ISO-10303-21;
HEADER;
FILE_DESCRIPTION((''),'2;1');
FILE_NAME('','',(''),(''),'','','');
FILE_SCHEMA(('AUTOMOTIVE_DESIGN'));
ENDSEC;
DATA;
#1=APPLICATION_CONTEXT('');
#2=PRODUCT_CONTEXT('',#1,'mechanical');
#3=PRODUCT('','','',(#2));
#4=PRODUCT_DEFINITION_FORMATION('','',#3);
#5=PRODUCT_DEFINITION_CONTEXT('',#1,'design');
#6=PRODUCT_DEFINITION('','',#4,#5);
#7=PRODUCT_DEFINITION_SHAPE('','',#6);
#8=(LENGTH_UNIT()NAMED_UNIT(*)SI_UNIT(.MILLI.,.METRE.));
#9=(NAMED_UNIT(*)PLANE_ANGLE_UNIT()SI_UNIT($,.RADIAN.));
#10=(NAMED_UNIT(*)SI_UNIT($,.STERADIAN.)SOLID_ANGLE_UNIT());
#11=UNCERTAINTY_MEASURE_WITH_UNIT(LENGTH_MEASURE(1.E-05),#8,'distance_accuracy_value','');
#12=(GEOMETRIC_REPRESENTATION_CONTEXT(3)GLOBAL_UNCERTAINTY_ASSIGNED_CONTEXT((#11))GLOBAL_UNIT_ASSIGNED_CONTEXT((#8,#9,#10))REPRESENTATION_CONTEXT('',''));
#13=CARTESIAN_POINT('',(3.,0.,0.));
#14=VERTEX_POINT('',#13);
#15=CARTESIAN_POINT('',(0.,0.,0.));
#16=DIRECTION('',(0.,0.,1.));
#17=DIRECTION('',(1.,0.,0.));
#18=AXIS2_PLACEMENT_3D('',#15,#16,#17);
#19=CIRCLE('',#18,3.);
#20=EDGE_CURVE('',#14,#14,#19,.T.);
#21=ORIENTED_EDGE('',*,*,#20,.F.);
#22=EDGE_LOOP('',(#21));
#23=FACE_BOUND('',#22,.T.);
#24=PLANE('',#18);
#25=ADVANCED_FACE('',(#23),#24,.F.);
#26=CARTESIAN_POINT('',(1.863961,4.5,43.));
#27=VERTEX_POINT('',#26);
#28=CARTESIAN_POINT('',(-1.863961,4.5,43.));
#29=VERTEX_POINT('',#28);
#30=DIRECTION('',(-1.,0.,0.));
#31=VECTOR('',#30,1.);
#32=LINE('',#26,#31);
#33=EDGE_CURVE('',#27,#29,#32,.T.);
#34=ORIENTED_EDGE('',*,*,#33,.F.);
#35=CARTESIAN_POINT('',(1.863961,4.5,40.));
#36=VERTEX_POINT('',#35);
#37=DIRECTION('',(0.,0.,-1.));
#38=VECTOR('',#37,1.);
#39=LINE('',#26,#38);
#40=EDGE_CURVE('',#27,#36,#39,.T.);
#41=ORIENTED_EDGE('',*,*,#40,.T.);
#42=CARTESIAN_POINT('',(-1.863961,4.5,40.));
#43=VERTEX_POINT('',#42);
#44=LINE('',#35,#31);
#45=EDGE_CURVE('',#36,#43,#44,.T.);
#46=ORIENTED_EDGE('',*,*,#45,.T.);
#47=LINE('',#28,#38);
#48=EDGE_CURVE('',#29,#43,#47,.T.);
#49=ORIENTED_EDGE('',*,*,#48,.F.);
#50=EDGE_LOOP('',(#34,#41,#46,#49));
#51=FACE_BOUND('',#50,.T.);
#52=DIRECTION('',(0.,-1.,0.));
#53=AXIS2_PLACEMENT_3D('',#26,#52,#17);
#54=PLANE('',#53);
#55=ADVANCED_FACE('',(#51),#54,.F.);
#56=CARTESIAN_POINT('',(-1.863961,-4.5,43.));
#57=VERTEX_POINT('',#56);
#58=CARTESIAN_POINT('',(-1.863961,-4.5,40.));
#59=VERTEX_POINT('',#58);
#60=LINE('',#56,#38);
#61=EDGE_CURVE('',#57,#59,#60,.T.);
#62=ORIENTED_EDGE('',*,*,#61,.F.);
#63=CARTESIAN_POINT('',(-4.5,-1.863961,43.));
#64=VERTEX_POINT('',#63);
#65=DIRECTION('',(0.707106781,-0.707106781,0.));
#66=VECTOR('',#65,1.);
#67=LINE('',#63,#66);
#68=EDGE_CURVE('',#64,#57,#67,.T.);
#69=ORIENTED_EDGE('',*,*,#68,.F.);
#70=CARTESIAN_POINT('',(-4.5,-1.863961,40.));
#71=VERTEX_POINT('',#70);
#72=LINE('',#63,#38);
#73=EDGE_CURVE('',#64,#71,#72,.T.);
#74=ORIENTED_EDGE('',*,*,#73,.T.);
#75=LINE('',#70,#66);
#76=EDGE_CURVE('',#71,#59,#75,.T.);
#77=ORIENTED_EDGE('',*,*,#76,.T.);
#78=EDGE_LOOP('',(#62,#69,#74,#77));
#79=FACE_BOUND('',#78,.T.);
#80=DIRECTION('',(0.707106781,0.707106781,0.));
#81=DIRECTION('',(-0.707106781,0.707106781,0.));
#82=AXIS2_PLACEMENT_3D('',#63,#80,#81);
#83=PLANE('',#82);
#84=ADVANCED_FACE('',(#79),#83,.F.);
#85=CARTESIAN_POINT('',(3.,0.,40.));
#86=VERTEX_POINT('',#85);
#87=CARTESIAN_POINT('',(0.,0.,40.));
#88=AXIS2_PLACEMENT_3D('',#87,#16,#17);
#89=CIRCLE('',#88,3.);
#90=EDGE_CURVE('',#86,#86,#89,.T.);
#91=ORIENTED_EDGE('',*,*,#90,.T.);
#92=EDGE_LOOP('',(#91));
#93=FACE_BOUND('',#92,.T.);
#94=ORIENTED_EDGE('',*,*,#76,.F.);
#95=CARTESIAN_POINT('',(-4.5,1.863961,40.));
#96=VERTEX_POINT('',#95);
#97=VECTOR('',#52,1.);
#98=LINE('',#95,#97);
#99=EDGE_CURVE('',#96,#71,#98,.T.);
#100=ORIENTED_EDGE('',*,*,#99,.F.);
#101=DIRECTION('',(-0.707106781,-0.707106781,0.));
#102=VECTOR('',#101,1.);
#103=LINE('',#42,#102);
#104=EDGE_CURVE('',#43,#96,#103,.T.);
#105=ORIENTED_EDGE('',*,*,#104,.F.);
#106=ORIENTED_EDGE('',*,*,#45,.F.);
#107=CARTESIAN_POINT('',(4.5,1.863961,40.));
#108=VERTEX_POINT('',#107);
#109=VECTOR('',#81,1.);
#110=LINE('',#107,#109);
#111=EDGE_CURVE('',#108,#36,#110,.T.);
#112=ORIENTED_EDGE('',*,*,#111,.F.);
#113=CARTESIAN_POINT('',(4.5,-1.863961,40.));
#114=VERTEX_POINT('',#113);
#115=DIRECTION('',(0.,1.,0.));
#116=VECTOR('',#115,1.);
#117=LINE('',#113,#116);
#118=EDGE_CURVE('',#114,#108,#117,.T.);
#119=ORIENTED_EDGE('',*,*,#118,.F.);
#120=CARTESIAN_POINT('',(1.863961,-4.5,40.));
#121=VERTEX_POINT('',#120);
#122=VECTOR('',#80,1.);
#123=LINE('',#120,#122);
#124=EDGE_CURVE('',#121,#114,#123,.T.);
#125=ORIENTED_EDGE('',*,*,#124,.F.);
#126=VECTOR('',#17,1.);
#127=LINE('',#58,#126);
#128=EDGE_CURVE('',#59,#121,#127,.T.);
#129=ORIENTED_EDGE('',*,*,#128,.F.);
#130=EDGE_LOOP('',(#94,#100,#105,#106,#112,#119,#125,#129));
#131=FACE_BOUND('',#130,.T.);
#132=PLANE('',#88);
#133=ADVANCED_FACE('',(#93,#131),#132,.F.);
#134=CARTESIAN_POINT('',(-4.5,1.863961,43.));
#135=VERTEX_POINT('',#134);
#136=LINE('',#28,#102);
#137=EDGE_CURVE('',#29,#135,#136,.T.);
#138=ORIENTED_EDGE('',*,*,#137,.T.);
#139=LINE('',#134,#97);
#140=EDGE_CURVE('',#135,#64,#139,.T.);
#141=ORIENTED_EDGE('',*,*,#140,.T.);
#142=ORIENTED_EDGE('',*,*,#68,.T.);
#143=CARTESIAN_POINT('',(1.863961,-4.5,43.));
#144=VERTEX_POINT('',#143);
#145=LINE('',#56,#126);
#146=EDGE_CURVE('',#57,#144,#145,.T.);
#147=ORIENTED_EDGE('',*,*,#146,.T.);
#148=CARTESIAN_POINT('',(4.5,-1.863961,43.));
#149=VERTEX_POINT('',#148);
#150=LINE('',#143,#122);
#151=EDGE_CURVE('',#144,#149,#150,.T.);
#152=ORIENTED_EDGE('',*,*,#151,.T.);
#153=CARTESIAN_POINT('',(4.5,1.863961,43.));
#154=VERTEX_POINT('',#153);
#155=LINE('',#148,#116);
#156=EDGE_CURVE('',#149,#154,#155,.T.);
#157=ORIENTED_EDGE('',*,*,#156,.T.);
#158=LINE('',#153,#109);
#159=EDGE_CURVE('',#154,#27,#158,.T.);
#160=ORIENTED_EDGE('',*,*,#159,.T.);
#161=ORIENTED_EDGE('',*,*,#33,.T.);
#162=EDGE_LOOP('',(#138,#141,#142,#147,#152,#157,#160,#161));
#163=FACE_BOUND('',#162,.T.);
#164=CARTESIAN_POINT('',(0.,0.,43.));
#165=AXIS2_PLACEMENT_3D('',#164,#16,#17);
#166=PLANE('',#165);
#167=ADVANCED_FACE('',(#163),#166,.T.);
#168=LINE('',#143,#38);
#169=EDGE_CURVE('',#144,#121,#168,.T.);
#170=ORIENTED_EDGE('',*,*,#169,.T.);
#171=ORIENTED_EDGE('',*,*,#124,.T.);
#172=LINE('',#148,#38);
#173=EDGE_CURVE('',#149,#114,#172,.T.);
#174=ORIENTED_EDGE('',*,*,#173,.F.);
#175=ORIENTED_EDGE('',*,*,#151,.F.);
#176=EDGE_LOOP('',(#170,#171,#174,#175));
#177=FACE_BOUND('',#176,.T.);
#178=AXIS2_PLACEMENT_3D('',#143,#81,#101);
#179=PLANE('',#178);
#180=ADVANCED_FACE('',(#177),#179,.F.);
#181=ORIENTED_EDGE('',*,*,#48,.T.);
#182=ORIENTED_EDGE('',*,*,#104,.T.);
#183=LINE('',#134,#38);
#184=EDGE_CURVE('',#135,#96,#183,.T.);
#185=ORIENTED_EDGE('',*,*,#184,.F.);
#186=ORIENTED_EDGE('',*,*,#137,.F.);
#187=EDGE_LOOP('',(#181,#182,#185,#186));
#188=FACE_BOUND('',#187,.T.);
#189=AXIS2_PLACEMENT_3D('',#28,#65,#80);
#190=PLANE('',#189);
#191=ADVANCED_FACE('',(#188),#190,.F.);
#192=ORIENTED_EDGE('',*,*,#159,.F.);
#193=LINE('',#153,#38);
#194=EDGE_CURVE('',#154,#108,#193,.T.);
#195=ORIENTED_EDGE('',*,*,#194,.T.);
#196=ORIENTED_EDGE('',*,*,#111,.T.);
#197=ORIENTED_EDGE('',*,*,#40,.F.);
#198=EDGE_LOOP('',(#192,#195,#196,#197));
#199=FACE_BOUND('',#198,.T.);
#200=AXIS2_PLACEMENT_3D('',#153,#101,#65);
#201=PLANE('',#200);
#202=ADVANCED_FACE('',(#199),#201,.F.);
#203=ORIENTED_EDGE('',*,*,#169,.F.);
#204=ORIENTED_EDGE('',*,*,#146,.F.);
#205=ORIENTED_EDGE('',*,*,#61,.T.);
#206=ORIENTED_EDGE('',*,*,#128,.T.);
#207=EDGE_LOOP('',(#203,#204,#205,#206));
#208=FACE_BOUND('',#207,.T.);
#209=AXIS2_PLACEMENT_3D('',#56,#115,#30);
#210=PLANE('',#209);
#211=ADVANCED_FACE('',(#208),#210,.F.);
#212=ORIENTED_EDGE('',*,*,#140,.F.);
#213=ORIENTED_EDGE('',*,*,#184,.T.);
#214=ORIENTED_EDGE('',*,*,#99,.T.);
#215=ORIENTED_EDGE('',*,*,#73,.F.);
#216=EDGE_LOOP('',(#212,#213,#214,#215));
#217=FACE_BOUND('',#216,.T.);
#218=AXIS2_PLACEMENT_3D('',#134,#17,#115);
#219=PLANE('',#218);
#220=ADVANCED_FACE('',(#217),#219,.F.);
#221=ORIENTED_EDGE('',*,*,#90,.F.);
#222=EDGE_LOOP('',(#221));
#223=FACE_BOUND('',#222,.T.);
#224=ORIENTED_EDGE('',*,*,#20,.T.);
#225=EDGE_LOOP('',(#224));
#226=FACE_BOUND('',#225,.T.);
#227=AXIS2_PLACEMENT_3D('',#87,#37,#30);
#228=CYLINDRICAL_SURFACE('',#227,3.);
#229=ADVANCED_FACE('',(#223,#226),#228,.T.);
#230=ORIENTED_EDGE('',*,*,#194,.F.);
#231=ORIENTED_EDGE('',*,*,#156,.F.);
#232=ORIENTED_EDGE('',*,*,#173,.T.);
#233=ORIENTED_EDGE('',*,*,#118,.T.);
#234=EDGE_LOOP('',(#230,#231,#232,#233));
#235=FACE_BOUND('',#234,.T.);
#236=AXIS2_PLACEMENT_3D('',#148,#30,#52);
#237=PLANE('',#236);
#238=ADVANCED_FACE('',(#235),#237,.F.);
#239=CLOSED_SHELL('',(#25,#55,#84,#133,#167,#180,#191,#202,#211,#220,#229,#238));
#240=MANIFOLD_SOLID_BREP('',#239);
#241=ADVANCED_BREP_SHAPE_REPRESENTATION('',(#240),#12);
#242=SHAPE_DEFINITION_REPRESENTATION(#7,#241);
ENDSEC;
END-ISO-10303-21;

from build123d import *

# Parameters (mm, degrees)
SKETCH1_R           = 3
BOSS_EXTRUDE1_DEPTH = 40
BOSS_EXTRUDE2_DEPTH = 3


with BuildPart() as part:
    # Sketch1 → Boss-Extrude1 (new body)
    with BuildSketch(Plane.XY):
        Circle(SKETCH1_R)
    extrude(amount=BOSS_EXTRUDE1_DEPTH)

    # Sketch2 → Boss-Extrude2 (add)
    with BuildSketch(Plane.XY.offset(40)):
        Polygon((-1.863961031, -4.5), (1.863961031, -4.5), (4.5, -1.863961031), (4.5, 1.863961031), (1.863961031, 4.5), (-1.863961031, 4.5), (-4.5, 1.863961031), (-4.5, -1.863961031), align=None)
    extrude(amount=BOSS_EXTRUDE2_DEPTH)


solid = part.part
